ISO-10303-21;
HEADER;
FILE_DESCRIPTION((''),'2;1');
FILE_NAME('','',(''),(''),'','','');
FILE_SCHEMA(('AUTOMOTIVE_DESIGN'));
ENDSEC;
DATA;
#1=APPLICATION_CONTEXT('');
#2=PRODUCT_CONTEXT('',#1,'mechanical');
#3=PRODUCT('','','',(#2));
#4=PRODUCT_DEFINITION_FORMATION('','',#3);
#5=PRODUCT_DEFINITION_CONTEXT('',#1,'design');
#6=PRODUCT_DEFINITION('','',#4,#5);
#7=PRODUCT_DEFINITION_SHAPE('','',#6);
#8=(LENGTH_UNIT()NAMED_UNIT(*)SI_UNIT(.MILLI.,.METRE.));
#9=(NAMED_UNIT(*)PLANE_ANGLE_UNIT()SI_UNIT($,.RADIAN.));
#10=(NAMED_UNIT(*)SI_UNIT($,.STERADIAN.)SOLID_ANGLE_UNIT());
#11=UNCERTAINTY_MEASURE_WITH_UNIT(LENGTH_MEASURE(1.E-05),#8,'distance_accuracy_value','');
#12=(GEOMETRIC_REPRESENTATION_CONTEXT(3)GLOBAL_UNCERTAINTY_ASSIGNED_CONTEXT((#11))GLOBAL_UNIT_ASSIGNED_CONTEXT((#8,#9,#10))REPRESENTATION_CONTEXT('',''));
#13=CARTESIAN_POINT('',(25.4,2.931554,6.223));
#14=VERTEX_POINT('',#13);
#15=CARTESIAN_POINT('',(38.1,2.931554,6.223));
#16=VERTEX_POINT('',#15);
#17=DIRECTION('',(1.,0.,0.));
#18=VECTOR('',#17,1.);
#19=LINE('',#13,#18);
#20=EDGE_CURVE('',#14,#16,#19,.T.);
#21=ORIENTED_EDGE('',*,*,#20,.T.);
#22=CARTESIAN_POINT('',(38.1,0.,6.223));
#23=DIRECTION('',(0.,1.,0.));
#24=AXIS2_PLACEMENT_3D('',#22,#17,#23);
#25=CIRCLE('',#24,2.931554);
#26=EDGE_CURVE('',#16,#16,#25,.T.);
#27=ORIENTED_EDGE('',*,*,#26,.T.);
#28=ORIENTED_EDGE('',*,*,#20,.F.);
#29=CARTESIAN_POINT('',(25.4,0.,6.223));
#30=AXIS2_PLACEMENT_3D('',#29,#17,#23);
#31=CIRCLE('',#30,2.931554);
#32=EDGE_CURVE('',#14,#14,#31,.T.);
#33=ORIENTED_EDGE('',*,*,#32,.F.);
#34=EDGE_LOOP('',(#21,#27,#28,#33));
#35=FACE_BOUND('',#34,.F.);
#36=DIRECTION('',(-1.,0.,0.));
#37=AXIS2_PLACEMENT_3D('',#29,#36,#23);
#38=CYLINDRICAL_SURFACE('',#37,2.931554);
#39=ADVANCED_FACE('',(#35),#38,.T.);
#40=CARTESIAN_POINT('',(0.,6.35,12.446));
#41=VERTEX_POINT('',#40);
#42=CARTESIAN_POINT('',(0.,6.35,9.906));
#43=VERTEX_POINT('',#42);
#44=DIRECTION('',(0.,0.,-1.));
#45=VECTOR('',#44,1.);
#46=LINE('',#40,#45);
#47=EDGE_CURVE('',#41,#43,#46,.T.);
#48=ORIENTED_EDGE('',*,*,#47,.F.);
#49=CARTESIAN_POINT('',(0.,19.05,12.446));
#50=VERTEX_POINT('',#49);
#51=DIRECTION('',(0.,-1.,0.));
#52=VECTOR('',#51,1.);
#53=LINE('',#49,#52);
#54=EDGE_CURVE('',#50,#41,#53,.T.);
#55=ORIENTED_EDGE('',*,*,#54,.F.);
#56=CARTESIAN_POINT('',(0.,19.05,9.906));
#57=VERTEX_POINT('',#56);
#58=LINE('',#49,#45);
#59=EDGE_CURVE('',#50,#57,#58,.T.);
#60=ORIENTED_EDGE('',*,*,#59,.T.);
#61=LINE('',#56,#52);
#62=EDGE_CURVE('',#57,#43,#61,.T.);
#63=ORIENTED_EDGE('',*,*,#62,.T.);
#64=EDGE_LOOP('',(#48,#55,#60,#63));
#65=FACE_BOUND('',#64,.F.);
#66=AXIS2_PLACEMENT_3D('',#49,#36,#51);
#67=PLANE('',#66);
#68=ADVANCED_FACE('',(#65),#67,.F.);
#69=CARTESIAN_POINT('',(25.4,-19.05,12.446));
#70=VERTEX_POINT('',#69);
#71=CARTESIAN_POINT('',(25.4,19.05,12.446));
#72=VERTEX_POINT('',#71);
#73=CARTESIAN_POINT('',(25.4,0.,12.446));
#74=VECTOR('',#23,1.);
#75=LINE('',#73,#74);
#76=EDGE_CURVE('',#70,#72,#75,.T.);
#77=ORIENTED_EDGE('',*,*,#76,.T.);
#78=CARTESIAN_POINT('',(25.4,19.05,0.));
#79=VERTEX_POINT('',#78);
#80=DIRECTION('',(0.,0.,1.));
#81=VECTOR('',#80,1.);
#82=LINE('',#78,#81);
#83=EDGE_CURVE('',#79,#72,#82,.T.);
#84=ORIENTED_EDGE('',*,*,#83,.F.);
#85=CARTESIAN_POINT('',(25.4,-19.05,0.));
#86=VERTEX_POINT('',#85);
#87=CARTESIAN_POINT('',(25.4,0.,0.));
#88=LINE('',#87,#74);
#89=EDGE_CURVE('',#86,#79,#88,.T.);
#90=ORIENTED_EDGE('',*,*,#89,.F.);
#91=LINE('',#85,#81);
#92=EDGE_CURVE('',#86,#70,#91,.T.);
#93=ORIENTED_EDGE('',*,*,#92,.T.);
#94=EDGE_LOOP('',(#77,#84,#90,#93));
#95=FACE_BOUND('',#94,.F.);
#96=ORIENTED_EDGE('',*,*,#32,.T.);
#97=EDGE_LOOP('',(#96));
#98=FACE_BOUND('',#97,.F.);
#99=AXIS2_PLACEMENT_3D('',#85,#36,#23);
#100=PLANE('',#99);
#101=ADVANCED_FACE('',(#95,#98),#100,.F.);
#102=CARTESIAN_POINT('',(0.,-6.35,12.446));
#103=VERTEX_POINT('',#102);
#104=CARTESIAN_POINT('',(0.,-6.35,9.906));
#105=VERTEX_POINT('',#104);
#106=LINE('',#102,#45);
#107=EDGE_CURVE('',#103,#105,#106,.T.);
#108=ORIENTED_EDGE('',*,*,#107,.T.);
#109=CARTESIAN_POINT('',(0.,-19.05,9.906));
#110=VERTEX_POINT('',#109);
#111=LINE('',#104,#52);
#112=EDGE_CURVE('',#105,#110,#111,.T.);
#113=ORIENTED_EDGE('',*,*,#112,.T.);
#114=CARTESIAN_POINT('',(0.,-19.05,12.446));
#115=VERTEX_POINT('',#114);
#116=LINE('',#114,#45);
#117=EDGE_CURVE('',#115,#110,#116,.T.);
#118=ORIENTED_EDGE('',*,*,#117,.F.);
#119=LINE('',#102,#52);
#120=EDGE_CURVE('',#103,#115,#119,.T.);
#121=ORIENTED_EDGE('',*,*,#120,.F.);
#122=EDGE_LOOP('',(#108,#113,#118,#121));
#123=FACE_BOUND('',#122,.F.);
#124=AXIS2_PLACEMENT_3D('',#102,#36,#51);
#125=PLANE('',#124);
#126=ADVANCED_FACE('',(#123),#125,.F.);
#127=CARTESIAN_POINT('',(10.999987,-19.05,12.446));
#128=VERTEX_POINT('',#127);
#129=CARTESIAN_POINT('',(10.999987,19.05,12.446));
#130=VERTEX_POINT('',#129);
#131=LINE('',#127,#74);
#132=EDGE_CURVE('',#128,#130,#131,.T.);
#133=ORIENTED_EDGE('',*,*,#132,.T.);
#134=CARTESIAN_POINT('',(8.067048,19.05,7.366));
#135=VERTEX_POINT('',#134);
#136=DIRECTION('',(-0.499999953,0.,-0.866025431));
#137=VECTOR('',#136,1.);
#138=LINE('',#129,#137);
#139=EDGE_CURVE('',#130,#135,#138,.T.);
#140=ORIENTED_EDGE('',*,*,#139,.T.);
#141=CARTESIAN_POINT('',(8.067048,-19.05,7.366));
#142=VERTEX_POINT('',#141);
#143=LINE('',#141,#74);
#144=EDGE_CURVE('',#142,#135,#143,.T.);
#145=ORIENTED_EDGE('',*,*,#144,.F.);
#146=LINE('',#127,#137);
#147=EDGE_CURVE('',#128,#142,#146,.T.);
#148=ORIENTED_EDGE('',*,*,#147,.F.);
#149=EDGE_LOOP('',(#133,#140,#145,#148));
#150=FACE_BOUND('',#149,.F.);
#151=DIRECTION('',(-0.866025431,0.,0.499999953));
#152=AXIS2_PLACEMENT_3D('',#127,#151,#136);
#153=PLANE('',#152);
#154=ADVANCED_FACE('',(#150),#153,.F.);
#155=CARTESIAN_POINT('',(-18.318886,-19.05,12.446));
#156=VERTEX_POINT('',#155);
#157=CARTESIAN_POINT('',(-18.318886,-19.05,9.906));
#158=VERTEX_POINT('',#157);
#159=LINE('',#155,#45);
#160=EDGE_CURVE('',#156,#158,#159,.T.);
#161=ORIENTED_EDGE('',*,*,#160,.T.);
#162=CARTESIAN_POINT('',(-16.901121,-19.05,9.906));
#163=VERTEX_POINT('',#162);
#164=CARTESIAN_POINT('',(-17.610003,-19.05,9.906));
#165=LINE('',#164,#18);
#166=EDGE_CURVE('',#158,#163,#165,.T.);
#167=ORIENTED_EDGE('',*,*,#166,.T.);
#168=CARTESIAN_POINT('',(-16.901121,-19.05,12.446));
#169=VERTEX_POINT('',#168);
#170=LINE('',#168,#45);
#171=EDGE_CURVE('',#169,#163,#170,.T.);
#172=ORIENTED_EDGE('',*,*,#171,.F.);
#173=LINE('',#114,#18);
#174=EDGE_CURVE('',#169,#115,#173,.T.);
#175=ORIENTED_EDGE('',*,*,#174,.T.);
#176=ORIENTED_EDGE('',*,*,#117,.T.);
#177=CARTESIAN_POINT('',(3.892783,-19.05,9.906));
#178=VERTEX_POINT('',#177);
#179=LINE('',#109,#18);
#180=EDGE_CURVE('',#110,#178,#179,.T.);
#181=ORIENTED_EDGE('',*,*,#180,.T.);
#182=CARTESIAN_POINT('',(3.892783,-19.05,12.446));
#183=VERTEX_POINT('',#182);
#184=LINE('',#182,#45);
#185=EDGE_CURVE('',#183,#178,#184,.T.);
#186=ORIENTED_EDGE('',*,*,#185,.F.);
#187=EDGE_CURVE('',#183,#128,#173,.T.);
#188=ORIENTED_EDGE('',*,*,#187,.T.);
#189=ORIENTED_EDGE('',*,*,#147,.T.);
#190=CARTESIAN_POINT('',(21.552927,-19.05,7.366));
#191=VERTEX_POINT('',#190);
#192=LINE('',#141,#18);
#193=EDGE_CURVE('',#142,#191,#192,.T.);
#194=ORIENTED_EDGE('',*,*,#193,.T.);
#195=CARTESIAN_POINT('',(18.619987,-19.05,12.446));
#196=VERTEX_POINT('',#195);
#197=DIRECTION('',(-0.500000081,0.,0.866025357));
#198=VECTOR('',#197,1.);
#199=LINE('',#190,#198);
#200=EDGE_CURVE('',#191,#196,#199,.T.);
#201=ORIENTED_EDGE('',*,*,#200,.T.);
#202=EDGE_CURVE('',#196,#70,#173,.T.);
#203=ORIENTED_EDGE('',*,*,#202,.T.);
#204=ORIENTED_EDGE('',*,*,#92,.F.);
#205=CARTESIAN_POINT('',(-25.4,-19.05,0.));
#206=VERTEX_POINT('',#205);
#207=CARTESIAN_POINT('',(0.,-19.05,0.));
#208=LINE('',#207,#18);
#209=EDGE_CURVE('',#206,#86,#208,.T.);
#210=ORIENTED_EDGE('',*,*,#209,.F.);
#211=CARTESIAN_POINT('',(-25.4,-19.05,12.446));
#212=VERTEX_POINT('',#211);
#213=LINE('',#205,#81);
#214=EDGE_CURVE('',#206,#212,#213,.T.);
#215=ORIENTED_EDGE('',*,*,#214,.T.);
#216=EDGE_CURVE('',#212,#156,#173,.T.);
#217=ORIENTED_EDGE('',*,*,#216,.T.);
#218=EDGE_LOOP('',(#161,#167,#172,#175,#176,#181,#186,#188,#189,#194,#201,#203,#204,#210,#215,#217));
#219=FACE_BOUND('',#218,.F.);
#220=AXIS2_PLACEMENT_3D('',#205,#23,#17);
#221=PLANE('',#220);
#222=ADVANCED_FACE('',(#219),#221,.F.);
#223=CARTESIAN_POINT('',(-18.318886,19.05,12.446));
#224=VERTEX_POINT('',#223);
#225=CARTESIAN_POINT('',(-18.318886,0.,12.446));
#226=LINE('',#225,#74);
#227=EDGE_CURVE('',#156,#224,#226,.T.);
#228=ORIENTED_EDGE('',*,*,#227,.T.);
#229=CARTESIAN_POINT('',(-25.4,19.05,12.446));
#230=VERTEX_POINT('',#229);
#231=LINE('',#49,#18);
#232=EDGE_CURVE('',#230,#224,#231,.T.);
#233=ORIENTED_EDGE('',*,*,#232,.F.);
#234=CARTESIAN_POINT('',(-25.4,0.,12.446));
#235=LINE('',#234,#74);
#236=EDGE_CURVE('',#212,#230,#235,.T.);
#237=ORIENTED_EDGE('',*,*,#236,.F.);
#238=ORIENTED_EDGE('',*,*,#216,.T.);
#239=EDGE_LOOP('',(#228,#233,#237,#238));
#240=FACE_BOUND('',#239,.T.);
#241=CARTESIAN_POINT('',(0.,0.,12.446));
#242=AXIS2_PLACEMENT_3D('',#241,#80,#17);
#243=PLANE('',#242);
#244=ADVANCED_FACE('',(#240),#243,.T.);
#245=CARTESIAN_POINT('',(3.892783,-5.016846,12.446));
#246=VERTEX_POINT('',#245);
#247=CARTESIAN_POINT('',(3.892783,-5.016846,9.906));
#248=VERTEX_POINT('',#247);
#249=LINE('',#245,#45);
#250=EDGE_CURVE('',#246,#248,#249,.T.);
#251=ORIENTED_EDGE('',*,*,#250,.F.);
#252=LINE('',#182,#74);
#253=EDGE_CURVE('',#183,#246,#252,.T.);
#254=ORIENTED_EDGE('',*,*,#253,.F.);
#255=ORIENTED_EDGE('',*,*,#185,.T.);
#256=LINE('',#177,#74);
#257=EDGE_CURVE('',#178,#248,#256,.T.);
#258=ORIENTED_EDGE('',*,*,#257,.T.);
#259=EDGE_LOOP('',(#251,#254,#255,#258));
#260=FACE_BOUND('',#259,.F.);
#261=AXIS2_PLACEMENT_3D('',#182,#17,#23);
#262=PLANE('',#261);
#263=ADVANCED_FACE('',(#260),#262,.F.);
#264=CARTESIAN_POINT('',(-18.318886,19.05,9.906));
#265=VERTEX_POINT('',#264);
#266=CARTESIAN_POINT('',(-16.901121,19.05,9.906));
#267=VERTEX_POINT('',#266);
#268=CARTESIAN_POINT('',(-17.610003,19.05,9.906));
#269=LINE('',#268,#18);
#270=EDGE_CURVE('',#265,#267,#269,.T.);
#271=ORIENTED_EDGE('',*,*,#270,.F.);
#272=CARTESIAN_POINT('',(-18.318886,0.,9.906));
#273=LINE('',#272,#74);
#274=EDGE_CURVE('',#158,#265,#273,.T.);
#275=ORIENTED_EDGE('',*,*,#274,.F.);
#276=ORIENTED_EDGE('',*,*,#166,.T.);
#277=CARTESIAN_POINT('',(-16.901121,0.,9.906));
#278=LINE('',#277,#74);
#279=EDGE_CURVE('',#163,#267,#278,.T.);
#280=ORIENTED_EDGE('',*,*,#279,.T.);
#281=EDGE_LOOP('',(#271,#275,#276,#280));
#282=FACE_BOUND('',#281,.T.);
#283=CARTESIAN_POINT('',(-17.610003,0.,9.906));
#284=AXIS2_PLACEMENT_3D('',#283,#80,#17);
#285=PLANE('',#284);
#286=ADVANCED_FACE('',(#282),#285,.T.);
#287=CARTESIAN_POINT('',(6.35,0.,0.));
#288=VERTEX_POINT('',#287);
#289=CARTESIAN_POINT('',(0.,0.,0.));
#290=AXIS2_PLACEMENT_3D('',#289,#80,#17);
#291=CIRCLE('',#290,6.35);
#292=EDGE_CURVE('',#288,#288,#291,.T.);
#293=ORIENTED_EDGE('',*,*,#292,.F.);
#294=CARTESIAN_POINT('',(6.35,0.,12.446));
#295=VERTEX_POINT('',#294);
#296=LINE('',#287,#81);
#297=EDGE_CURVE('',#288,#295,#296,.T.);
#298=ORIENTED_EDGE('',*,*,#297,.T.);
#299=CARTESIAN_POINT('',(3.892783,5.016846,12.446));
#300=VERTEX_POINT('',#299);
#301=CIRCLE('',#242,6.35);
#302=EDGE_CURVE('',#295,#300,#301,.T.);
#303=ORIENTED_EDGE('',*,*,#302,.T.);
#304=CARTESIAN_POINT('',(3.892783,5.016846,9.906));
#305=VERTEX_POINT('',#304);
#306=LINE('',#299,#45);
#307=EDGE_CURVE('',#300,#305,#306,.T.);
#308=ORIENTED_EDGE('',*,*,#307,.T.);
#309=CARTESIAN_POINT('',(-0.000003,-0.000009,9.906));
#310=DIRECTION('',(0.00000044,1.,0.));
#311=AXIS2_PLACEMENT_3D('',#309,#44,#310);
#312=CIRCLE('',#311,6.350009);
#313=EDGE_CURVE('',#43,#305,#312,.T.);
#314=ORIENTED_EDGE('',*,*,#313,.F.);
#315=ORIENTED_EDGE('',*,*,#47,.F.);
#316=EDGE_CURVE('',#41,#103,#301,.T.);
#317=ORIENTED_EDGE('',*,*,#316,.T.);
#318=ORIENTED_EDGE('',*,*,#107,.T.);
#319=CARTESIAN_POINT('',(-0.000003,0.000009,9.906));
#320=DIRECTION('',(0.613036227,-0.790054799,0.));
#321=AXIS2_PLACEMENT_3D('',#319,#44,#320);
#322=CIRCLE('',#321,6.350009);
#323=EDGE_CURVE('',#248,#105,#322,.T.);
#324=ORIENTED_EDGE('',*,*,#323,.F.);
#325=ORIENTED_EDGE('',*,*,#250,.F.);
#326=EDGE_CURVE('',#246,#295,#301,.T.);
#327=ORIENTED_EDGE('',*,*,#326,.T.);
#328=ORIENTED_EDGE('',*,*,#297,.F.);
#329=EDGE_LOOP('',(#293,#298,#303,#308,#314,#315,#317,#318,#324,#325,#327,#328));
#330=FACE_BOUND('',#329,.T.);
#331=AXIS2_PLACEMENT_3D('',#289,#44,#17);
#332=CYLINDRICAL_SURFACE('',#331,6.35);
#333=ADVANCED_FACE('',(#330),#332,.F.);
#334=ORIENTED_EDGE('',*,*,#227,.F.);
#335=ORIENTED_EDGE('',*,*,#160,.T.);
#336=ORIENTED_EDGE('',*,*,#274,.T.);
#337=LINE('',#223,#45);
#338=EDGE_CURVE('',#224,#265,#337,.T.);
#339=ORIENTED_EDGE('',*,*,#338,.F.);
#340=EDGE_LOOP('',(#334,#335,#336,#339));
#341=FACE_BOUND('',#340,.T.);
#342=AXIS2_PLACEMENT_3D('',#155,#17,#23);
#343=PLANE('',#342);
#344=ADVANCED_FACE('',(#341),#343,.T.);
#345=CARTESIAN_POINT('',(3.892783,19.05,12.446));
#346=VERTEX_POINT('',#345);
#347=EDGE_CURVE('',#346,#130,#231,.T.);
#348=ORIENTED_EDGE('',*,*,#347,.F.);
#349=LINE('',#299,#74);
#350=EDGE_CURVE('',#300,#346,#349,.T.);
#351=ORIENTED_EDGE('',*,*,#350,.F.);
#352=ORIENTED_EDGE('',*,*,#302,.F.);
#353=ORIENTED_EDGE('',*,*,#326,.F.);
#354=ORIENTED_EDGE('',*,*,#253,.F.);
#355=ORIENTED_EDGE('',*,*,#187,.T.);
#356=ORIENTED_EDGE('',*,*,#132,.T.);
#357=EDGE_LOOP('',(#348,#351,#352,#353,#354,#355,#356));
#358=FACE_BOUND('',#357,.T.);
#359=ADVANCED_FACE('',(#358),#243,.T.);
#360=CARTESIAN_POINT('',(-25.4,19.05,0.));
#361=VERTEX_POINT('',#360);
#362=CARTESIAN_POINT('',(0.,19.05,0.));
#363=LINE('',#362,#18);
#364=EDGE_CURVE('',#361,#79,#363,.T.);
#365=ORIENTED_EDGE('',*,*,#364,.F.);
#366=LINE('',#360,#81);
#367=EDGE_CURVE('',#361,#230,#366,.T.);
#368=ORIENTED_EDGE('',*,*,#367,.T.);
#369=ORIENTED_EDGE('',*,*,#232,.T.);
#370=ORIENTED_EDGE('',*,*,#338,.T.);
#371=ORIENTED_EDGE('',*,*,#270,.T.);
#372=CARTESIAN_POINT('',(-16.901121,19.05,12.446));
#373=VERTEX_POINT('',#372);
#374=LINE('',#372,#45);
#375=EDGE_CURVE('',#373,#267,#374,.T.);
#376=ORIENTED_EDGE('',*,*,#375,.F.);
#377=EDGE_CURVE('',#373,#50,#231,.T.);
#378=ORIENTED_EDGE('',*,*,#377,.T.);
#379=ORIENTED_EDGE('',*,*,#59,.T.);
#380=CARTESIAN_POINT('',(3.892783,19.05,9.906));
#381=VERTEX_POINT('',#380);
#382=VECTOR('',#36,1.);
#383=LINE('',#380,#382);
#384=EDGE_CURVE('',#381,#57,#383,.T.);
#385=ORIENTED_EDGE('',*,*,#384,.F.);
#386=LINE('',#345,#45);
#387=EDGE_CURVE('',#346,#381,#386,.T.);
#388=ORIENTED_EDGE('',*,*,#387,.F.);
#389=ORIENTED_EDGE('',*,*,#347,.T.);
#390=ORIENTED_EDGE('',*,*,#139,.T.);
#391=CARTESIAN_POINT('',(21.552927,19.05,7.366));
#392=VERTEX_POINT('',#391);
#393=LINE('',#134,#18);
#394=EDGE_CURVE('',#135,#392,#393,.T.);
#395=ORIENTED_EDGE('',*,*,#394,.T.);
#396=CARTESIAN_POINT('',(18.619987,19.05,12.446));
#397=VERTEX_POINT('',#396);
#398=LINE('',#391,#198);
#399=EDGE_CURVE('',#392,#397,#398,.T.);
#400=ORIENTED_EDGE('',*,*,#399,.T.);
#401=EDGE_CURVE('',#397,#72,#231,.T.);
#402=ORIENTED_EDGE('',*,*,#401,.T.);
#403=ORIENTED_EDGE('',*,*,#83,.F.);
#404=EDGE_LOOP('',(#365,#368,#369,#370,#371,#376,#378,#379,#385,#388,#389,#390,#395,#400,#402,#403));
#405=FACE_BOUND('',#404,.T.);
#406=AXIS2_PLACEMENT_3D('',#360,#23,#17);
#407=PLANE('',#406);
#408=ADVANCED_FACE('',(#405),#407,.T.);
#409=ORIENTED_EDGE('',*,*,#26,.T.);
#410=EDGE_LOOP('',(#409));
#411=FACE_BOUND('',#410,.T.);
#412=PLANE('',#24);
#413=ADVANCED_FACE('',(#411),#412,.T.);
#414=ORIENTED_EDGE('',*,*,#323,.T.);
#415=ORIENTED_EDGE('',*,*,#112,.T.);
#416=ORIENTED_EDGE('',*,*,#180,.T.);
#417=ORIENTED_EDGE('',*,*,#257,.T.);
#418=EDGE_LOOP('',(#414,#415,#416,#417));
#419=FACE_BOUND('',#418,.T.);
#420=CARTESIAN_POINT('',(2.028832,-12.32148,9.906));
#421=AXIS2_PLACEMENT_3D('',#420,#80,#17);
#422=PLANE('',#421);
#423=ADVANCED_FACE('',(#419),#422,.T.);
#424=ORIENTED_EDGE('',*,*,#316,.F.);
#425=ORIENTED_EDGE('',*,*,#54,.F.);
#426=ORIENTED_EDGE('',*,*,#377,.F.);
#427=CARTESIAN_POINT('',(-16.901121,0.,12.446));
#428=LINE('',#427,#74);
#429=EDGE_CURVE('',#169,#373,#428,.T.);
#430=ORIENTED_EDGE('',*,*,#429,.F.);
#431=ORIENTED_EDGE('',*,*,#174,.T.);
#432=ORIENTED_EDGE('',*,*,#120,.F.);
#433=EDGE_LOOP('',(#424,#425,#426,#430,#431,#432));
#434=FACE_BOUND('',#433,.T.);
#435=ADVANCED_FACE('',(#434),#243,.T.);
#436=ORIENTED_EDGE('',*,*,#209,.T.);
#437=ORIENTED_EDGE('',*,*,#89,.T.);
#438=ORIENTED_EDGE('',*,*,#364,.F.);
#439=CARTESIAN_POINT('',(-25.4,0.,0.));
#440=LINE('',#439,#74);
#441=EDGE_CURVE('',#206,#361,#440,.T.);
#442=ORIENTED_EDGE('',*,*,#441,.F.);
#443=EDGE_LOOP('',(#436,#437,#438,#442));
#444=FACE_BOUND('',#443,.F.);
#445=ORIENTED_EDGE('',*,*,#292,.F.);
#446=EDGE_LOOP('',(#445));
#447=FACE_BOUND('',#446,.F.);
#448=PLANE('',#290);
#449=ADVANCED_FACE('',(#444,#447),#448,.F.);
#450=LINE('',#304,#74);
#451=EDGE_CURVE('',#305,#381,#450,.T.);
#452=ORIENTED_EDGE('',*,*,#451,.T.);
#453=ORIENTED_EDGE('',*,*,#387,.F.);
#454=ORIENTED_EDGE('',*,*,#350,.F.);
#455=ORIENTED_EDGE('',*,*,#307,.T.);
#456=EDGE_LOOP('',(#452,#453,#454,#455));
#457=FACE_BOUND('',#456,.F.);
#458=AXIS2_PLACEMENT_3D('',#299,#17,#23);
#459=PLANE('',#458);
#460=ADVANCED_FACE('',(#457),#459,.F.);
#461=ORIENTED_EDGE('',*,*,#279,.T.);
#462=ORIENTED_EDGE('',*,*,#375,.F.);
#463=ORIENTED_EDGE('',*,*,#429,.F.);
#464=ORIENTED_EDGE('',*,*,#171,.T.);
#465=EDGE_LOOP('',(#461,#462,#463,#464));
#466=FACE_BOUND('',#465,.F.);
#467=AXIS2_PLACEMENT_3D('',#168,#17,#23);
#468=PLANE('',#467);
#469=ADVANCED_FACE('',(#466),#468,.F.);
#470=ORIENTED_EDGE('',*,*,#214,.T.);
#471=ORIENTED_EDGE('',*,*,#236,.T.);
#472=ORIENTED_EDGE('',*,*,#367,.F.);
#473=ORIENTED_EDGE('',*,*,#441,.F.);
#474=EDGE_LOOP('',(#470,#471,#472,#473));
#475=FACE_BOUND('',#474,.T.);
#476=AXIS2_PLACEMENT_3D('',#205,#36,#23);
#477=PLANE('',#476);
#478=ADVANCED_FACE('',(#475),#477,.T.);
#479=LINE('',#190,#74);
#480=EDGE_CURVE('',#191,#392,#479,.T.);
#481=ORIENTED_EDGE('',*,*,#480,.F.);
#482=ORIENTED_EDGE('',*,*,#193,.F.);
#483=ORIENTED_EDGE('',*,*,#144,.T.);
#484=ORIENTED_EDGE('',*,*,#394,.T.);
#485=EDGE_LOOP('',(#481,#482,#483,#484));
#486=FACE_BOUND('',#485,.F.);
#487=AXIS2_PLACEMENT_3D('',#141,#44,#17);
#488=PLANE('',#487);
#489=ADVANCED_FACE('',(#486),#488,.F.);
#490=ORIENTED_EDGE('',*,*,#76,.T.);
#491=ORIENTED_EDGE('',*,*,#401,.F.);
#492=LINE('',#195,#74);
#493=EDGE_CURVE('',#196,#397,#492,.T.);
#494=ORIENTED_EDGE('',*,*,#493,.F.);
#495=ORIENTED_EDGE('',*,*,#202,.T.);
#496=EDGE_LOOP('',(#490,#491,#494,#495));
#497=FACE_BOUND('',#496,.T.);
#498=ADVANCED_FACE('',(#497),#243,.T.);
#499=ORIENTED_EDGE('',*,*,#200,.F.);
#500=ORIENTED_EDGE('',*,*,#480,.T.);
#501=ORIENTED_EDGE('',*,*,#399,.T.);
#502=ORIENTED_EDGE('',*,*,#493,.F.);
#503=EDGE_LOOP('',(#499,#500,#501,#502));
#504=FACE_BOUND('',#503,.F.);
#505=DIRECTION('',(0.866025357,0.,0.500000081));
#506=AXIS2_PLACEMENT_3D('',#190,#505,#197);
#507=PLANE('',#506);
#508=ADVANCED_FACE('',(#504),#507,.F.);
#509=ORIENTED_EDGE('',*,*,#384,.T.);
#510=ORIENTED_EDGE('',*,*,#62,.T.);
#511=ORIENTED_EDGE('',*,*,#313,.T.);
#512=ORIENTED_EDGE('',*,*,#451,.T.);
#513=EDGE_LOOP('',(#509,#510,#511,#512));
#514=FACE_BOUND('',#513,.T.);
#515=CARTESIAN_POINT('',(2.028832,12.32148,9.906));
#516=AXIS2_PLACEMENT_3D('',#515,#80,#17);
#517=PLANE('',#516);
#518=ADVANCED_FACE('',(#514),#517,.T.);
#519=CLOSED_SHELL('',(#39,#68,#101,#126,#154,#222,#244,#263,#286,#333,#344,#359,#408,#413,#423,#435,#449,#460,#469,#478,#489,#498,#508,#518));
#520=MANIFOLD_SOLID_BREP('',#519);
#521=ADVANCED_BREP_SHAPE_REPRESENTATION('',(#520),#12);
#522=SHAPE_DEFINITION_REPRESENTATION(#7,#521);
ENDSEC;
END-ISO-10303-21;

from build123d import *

# Parameters (mm, degrees)
F0_W     = 50.8
F0_H     = 38.1
F0_R     = 6.35
F1_DEPTH = 12.446
F2_W     = 1.417765
F2_H     = 38.1
F3_DEPTH = 2.54
F5_DEPTH = 38.1
F6_R     = 2.931554
F7_DEPTH = 12.7


with BuildPart() as f1:
    # F0 (on Top) → F1 (new body)
    with BuildSketch(Plane.XY):
        Rectangle(F0_W, F0_H)
        Circle(F0_R, mode=Mode.SUBTRACT)
    extrude(amount=F1_DEPTH)

    # F2 (on face) → F3 (cut)
    with BuildSketch(Plane.XY.offset(12.446)):
        with Locations((-17.610003, 0)):
            Rectangle(F2_W, F2_H)
        with BuildLine():
            Line((3.892783, 19.05), (0, 19.05))
            Line((0, 19.05), (0, 6.35))
            ThreePointArc((0, 6.35), (2.057368, 6.007473), (3.892783, 5.016846))
            Line((3.892783, 5.016846), (3.892783, 19.05))
        make_face()
        with BuildLine():
            Line((0, -6.35), (0, -19.05))
            Line((0, -19.05), (3.892783, -19.05))
            Line((3.892783, -19.05), (3.892783, -5.016846))
            ThreePointArc((3.892783, -5.016846), (2.057368, -6.007473), (0, -6.35))
        make_face()
    extrude(amount=-F3_DEPTH, mode=Mode.SUBTRACT)

    # F4 (on face) → F5 (cut)
    with BuildSketch(Plane.XZ.offset(19.05)):
        Polygon((14.809987, 12.446), (10.999987, 12.446), (8.067048, 7.366), (14.809987, 7.366), align=None)
        Polygon((18.619987, 12.446), (14.809987, 12.446), (14.809987, 7.366), (21.552927, 7.366), align=None)
    extrude(amount=-F5_DEPTH, mode=Mode.SUBTRACT)

    # F6 (on face) → F7 (join)
    with BuildSketch(Plane.YZ.offset(25.4)):
        with Locations((0, 6.223)):
            Circle(F6_R)
    extrude(amount=F7_DEPTH)


solid = f1.part
